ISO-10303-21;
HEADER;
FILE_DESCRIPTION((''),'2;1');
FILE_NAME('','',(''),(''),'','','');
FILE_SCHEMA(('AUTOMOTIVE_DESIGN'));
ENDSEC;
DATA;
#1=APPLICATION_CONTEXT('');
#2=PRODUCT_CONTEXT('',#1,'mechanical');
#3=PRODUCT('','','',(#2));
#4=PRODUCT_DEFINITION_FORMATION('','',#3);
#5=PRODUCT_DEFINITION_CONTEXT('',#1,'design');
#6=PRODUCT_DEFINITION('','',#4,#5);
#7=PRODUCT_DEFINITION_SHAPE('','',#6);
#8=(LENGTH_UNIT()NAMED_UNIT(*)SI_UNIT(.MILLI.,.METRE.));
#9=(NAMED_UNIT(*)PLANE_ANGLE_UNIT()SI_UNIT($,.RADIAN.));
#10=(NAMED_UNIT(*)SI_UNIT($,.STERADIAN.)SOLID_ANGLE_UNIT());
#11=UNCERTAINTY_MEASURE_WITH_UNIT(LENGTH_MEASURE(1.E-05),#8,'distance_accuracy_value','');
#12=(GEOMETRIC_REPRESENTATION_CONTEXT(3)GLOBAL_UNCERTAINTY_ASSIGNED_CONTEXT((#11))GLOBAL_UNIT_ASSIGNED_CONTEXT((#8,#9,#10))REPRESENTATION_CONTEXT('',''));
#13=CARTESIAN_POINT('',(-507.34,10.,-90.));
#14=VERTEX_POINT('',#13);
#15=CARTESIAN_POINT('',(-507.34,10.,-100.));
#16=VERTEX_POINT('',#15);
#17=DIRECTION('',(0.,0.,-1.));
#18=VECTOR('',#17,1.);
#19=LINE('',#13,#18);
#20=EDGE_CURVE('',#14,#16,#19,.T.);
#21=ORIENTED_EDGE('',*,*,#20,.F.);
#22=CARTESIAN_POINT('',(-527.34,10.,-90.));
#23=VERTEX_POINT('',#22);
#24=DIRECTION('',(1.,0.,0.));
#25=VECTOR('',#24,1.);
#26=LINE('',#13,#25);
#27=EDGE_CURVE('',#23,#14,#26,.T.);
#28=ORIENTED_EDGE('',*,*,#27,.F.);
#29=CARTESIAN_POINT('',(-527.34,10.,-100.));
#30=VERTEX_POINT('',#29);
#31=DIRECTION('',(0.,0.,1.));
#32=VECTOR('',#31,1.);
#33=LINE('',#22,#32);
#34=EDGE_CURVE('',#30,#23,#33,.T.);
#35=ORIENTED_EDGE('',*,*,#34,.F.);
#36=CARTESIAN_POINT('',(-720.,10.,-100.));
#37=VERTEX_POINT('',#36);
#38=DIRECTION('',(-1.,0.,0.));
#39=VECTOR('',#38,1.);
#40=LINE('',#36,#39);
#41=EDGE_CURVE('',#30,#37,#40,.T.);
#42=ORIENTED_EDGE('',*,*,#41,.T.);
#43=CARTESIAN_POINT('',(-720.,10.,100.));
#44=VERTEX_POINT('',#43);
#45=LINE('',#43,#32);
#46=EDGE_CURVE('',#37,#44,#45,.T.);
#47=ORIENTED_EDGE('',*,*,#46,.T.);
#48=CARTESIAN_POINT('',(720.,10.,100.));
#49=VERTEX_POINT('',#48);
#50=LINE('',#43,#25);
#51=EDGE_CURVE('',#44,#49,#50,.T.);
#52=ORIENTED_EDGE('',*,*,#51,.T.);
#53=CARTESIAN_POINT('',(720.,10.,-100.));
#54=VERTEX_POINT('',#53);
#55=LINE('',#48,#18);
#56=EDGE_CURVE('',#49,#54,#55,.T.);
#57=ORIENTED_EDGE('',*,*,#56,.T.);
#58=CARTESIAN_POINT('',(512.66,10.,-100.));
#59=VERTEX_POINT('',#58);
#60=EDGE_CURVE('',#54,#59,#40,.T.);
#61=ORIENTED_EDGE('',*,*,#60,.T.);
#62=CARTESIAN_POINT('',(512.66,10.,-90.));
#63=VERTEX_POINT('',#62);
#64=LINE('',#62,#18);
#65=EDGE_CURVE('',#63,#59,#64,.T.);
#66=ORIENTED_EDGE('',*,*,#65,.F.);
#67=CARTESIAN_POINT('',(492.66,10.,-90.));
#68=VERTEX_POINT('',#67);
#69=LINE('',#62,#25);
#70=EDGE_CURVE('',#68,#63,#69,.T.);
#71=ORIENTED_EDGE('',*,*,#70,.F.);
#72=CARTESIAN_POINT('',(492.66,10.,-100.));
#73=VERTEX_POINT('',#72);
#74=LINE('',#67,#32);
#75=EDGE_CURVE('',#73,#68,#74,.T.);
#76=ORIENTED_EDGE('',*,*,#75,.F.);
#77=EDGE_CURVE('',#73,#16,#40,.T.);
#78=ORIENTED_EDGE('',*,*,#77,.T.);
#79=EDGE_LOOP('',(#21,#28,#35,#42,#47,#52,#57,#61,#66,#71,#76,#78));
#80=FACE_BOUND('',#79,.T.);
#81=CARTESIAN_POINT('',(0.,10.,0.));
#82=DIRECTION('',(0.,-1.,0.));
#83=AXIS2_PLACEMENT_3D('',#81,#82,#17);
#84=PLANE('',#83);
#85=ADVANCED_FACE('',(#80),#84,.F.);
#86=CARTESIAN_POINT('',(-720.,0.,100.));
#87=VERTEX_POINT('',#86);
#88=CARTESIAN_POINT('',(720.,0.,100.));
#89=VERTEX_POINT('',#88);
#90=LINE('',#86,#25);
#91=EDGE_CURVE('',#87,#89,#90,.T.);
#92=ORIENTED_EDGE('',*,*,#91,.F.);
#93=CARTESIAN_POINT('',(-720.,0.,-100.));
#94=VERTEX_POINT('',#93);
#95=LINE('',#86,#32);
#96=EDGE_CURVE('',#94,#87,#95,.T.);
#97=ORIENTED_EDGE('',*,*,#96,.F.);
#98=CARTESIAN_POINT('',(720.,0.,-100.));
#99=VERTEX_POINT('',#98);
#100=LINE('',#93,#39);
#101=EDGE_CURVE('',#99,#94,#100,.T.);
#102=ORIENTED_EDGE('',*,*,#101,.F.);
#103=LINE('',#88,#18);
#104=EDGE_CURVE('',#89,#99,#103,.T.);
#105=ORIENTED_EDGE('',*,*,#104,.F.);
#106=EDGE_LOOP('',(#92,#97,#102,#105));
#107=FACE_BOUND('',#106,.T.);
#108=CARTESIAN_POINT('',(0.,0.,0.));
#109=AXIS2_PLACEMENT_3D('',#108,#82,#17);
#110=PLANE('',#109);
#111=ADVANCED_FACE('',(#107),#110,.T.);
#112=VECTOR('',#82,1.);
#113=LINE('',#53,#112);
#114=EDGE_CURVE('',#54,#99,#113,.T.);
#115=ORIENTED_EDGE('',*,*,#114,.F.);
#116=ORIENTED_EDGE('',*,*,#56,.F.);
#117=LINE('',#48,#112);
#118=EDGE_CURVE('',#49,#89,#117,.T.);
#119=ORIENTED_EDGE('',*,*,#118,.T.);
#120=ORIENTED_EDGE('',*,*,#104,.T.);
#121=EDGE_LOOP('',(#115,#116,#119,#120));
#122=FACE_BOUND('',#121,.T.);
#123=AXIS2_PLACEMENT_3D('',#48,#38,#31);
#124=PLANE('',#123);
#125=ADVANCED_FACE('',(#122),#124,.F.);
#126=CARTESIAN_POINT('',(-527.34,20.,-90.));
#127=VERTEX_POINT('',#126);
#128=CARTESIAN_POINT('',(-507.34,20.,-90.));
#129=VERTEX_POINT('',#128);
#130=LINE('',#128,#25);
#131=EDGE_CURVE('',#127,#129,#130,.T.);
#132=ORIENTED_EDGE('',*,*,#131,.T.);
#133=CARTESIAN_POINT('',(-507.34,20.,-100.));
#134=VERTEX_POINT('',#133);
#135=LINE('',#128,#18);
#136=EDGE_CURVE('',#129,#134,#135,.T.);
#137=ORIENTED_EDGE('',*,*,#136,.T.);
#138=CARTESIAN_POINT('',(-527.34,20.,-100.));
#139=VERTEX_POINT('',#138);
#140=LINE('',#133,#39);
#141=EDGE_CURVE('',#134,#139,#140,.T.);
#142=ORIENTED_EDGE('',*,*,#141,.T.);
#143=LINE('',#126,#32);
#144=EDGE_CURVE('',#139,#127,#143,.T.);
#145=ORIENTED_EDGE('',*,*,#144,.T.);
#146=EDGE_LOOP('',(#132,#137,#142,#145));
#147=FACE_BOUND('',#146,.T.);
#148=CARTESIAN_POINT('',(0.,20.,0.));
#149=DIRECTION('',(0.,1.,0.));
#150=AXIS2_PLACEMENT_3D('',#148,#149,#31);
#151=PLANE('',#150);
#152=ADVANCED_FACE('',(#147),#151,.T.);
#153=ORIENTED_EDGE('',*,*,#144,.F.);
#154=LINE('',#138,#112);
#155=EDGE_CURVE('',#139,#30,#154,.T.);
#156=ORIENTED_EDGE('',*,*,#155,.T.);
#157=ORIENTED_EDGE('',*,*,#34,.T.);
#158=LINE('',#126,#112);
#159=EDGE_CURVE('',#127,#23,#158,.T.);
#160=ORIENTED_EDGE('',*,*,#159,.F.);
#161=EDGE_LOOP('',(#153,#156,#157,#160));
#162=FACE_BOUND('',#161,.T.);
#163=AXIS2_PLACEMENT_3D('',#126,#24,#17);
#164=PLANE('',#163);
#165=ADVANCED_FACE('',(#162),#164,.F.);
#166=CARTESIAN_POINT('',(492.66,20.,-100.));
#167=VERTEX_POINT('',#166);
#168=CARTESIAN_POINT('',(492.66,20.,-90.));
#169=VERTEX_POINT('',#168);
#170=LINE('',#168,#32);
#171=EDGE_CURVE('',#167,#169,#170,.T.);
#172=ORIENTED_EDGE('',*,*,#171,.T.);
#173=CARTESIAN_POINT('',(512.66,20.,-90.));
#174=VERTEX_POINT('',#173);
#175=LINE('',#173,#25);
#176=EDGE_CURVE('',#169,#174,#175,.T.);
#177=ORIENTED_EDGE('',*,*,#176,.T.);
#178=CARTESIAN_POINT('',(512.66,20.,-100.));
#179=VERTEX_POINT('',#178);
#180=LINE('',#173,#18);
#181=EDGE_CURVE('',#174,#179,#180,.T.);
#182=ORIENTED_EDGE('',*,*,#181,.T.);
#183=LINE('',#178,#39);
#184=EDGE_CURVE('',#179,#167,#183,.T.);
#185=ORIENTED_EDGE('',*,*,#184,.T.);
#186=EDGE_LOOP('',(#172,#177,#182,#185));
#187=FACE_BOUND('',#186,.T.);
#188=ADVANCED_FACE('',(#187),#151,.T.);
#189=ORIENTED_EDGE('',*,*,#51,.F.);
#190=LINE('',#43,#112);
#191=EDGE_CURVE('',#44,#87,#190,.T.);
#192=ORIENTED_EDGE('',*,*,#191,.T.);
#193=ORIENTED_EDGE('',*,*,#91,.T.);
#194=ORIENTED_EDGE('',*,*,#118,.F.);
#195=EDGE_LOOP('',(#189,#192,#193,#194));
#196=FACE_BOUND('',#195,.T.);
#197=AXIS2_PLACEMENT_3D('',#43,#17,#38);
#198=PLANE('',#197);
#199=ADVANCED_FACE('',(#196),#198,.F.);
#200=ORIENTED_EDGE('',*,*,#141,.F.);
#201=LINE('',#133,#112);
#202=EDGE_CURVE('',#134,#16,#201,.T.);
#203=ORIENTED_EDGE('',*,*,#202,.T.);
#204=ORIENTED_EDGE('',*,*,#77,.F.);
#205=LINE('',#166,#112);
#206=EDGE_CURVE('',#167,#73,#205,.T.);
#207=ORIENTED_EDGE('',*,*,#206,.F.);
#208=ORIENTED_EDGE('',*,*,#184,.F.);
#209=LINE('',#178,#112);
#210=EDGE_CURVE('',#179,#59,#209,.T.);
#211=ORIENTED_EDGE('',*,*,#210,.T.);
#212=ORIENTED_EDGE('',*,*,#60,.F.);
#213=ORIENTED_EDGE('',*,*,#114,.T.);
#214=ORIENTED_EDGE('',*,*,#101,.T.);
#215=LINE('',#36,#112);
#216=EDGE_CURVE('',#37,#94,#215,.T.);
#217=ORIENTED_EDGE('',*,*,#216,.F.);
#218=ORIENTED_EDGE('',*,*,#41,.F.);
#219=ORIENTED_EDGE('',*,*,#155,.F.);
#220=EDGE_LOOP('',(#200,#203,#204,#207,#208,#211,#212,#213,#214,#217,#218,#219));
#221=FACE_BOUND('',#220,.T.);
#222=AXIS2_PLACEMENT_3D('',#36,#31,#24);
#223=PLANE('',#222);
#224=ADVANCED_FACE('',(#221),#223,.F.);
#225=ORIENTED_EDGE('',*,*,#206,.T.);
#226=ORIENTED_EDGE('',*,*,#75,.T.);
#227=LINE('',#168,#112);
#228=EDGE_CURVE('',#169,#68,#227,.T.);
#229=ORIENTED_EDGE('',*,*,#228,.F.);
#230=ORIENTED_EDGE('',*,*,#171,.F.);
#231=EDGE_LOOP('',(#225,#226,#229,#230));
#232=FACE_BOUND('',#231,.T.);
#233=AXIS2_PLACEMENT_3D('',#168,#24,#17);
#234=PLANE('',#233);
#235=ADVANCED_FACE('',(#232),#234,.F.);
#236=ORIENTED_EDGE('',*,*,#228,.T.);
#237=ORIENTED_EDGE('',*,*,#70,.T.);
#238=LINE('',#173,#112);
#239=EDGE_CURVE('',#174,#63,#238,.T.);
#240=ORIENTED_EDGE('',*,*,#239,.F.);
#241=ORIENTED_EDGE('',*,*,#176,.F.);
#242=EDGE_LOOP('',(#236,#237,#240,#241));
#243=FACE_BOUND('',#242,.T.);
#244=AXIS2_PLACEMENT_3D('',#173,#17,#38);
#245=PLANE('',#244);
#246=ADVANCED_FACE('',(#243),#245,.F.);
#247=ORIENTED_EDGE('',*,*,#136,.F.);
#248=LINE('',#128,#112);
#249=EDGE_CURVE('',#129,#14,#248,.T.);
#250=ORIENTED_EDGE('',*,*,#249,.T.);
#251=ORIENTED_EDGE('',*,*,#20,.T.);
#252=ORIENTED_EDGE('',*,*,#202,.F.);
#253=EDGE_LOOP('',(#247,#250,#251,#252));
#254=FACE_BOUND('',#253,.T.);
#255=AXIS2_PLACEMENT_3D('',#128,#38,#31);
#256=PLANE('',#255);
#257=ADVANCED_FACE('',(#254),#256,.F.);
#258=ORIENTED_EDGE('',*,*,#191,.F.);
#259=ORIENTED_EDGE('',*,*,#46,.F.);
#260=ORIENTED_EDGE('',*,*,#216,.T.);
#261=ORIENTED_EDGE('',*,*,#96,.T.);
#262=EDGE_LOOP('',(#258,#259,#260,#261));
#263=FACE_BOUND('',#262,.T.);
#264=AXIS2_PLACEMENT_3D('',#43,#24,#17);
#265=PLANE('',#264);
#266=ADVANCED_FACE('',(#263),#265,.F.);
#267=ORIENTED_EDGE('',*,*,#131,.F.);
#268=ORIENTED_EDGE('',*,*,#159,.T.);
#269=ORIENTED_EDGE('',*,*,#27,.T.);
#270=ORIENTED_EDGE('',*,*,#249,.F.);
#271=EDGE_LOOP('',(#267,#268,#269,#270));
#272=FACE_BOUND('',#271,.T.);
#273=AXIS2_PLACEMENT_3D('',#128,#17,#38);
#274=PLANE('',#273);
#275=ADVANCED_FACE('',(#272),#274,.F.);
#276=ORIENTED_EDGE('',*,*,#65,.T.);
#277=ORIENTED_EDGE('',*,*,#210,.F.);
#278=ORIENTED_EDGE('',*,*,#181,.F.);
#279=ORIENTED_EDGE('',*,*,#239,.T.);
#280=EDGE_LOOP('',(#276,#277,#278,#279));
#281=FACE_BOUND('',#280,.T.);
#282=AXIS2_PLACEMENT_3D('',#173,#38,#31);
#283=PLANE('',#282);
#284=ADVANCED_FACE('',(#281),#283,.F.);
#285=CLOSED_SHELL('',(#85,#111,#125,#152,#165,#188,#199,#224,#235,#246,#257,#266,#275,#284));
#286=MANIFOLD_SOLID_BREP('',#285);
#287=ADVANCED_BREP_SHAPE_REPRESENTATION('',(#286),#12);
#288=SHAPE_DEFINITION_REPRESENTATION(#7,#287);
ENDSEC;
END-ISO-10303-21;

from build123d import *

# Parameters (mm, degrees)
SKETCH1_W           = 1440
SKETCH1_H           = 200
BOSS_EXTRUDE1_DEPTH = 10
SKETCH3_W           = 20
SKETCH3_H           = 10
BOSS_EXTRUDE3_DEPTH = 10


with BuildPart() as part:
    # Sketch1 → Boss-Extrude1 (new body)
    with BuildSketch(Plane(origin=(0, 0, 0), x_dir=(1, 0, 0), z_dir=(0, 1, 0))):
        Rectangle(SKETCH1_W, SKETCH1_H)
    extrude(amount=BOSS_EXTRUDE1_DEPTH)

    # Sketch3 → Boss-Extrude3 (add)
    with BuildSketch(Plane(origin=(0, 10, 0), x_dir=(1, 0, 0), z_dir=(0, 1, 0))):
        with Locations((-517.34, 95)):
            Rectangle(SKETCH3_W, SKETCH3_H)
        with Locations((502.66, 95)):
            Rectangle(SKETCH3_W, SKETCH3_H)
    extrude(amount=BOSS_EXTRUDE3_DEPTH)


solid = part.part
